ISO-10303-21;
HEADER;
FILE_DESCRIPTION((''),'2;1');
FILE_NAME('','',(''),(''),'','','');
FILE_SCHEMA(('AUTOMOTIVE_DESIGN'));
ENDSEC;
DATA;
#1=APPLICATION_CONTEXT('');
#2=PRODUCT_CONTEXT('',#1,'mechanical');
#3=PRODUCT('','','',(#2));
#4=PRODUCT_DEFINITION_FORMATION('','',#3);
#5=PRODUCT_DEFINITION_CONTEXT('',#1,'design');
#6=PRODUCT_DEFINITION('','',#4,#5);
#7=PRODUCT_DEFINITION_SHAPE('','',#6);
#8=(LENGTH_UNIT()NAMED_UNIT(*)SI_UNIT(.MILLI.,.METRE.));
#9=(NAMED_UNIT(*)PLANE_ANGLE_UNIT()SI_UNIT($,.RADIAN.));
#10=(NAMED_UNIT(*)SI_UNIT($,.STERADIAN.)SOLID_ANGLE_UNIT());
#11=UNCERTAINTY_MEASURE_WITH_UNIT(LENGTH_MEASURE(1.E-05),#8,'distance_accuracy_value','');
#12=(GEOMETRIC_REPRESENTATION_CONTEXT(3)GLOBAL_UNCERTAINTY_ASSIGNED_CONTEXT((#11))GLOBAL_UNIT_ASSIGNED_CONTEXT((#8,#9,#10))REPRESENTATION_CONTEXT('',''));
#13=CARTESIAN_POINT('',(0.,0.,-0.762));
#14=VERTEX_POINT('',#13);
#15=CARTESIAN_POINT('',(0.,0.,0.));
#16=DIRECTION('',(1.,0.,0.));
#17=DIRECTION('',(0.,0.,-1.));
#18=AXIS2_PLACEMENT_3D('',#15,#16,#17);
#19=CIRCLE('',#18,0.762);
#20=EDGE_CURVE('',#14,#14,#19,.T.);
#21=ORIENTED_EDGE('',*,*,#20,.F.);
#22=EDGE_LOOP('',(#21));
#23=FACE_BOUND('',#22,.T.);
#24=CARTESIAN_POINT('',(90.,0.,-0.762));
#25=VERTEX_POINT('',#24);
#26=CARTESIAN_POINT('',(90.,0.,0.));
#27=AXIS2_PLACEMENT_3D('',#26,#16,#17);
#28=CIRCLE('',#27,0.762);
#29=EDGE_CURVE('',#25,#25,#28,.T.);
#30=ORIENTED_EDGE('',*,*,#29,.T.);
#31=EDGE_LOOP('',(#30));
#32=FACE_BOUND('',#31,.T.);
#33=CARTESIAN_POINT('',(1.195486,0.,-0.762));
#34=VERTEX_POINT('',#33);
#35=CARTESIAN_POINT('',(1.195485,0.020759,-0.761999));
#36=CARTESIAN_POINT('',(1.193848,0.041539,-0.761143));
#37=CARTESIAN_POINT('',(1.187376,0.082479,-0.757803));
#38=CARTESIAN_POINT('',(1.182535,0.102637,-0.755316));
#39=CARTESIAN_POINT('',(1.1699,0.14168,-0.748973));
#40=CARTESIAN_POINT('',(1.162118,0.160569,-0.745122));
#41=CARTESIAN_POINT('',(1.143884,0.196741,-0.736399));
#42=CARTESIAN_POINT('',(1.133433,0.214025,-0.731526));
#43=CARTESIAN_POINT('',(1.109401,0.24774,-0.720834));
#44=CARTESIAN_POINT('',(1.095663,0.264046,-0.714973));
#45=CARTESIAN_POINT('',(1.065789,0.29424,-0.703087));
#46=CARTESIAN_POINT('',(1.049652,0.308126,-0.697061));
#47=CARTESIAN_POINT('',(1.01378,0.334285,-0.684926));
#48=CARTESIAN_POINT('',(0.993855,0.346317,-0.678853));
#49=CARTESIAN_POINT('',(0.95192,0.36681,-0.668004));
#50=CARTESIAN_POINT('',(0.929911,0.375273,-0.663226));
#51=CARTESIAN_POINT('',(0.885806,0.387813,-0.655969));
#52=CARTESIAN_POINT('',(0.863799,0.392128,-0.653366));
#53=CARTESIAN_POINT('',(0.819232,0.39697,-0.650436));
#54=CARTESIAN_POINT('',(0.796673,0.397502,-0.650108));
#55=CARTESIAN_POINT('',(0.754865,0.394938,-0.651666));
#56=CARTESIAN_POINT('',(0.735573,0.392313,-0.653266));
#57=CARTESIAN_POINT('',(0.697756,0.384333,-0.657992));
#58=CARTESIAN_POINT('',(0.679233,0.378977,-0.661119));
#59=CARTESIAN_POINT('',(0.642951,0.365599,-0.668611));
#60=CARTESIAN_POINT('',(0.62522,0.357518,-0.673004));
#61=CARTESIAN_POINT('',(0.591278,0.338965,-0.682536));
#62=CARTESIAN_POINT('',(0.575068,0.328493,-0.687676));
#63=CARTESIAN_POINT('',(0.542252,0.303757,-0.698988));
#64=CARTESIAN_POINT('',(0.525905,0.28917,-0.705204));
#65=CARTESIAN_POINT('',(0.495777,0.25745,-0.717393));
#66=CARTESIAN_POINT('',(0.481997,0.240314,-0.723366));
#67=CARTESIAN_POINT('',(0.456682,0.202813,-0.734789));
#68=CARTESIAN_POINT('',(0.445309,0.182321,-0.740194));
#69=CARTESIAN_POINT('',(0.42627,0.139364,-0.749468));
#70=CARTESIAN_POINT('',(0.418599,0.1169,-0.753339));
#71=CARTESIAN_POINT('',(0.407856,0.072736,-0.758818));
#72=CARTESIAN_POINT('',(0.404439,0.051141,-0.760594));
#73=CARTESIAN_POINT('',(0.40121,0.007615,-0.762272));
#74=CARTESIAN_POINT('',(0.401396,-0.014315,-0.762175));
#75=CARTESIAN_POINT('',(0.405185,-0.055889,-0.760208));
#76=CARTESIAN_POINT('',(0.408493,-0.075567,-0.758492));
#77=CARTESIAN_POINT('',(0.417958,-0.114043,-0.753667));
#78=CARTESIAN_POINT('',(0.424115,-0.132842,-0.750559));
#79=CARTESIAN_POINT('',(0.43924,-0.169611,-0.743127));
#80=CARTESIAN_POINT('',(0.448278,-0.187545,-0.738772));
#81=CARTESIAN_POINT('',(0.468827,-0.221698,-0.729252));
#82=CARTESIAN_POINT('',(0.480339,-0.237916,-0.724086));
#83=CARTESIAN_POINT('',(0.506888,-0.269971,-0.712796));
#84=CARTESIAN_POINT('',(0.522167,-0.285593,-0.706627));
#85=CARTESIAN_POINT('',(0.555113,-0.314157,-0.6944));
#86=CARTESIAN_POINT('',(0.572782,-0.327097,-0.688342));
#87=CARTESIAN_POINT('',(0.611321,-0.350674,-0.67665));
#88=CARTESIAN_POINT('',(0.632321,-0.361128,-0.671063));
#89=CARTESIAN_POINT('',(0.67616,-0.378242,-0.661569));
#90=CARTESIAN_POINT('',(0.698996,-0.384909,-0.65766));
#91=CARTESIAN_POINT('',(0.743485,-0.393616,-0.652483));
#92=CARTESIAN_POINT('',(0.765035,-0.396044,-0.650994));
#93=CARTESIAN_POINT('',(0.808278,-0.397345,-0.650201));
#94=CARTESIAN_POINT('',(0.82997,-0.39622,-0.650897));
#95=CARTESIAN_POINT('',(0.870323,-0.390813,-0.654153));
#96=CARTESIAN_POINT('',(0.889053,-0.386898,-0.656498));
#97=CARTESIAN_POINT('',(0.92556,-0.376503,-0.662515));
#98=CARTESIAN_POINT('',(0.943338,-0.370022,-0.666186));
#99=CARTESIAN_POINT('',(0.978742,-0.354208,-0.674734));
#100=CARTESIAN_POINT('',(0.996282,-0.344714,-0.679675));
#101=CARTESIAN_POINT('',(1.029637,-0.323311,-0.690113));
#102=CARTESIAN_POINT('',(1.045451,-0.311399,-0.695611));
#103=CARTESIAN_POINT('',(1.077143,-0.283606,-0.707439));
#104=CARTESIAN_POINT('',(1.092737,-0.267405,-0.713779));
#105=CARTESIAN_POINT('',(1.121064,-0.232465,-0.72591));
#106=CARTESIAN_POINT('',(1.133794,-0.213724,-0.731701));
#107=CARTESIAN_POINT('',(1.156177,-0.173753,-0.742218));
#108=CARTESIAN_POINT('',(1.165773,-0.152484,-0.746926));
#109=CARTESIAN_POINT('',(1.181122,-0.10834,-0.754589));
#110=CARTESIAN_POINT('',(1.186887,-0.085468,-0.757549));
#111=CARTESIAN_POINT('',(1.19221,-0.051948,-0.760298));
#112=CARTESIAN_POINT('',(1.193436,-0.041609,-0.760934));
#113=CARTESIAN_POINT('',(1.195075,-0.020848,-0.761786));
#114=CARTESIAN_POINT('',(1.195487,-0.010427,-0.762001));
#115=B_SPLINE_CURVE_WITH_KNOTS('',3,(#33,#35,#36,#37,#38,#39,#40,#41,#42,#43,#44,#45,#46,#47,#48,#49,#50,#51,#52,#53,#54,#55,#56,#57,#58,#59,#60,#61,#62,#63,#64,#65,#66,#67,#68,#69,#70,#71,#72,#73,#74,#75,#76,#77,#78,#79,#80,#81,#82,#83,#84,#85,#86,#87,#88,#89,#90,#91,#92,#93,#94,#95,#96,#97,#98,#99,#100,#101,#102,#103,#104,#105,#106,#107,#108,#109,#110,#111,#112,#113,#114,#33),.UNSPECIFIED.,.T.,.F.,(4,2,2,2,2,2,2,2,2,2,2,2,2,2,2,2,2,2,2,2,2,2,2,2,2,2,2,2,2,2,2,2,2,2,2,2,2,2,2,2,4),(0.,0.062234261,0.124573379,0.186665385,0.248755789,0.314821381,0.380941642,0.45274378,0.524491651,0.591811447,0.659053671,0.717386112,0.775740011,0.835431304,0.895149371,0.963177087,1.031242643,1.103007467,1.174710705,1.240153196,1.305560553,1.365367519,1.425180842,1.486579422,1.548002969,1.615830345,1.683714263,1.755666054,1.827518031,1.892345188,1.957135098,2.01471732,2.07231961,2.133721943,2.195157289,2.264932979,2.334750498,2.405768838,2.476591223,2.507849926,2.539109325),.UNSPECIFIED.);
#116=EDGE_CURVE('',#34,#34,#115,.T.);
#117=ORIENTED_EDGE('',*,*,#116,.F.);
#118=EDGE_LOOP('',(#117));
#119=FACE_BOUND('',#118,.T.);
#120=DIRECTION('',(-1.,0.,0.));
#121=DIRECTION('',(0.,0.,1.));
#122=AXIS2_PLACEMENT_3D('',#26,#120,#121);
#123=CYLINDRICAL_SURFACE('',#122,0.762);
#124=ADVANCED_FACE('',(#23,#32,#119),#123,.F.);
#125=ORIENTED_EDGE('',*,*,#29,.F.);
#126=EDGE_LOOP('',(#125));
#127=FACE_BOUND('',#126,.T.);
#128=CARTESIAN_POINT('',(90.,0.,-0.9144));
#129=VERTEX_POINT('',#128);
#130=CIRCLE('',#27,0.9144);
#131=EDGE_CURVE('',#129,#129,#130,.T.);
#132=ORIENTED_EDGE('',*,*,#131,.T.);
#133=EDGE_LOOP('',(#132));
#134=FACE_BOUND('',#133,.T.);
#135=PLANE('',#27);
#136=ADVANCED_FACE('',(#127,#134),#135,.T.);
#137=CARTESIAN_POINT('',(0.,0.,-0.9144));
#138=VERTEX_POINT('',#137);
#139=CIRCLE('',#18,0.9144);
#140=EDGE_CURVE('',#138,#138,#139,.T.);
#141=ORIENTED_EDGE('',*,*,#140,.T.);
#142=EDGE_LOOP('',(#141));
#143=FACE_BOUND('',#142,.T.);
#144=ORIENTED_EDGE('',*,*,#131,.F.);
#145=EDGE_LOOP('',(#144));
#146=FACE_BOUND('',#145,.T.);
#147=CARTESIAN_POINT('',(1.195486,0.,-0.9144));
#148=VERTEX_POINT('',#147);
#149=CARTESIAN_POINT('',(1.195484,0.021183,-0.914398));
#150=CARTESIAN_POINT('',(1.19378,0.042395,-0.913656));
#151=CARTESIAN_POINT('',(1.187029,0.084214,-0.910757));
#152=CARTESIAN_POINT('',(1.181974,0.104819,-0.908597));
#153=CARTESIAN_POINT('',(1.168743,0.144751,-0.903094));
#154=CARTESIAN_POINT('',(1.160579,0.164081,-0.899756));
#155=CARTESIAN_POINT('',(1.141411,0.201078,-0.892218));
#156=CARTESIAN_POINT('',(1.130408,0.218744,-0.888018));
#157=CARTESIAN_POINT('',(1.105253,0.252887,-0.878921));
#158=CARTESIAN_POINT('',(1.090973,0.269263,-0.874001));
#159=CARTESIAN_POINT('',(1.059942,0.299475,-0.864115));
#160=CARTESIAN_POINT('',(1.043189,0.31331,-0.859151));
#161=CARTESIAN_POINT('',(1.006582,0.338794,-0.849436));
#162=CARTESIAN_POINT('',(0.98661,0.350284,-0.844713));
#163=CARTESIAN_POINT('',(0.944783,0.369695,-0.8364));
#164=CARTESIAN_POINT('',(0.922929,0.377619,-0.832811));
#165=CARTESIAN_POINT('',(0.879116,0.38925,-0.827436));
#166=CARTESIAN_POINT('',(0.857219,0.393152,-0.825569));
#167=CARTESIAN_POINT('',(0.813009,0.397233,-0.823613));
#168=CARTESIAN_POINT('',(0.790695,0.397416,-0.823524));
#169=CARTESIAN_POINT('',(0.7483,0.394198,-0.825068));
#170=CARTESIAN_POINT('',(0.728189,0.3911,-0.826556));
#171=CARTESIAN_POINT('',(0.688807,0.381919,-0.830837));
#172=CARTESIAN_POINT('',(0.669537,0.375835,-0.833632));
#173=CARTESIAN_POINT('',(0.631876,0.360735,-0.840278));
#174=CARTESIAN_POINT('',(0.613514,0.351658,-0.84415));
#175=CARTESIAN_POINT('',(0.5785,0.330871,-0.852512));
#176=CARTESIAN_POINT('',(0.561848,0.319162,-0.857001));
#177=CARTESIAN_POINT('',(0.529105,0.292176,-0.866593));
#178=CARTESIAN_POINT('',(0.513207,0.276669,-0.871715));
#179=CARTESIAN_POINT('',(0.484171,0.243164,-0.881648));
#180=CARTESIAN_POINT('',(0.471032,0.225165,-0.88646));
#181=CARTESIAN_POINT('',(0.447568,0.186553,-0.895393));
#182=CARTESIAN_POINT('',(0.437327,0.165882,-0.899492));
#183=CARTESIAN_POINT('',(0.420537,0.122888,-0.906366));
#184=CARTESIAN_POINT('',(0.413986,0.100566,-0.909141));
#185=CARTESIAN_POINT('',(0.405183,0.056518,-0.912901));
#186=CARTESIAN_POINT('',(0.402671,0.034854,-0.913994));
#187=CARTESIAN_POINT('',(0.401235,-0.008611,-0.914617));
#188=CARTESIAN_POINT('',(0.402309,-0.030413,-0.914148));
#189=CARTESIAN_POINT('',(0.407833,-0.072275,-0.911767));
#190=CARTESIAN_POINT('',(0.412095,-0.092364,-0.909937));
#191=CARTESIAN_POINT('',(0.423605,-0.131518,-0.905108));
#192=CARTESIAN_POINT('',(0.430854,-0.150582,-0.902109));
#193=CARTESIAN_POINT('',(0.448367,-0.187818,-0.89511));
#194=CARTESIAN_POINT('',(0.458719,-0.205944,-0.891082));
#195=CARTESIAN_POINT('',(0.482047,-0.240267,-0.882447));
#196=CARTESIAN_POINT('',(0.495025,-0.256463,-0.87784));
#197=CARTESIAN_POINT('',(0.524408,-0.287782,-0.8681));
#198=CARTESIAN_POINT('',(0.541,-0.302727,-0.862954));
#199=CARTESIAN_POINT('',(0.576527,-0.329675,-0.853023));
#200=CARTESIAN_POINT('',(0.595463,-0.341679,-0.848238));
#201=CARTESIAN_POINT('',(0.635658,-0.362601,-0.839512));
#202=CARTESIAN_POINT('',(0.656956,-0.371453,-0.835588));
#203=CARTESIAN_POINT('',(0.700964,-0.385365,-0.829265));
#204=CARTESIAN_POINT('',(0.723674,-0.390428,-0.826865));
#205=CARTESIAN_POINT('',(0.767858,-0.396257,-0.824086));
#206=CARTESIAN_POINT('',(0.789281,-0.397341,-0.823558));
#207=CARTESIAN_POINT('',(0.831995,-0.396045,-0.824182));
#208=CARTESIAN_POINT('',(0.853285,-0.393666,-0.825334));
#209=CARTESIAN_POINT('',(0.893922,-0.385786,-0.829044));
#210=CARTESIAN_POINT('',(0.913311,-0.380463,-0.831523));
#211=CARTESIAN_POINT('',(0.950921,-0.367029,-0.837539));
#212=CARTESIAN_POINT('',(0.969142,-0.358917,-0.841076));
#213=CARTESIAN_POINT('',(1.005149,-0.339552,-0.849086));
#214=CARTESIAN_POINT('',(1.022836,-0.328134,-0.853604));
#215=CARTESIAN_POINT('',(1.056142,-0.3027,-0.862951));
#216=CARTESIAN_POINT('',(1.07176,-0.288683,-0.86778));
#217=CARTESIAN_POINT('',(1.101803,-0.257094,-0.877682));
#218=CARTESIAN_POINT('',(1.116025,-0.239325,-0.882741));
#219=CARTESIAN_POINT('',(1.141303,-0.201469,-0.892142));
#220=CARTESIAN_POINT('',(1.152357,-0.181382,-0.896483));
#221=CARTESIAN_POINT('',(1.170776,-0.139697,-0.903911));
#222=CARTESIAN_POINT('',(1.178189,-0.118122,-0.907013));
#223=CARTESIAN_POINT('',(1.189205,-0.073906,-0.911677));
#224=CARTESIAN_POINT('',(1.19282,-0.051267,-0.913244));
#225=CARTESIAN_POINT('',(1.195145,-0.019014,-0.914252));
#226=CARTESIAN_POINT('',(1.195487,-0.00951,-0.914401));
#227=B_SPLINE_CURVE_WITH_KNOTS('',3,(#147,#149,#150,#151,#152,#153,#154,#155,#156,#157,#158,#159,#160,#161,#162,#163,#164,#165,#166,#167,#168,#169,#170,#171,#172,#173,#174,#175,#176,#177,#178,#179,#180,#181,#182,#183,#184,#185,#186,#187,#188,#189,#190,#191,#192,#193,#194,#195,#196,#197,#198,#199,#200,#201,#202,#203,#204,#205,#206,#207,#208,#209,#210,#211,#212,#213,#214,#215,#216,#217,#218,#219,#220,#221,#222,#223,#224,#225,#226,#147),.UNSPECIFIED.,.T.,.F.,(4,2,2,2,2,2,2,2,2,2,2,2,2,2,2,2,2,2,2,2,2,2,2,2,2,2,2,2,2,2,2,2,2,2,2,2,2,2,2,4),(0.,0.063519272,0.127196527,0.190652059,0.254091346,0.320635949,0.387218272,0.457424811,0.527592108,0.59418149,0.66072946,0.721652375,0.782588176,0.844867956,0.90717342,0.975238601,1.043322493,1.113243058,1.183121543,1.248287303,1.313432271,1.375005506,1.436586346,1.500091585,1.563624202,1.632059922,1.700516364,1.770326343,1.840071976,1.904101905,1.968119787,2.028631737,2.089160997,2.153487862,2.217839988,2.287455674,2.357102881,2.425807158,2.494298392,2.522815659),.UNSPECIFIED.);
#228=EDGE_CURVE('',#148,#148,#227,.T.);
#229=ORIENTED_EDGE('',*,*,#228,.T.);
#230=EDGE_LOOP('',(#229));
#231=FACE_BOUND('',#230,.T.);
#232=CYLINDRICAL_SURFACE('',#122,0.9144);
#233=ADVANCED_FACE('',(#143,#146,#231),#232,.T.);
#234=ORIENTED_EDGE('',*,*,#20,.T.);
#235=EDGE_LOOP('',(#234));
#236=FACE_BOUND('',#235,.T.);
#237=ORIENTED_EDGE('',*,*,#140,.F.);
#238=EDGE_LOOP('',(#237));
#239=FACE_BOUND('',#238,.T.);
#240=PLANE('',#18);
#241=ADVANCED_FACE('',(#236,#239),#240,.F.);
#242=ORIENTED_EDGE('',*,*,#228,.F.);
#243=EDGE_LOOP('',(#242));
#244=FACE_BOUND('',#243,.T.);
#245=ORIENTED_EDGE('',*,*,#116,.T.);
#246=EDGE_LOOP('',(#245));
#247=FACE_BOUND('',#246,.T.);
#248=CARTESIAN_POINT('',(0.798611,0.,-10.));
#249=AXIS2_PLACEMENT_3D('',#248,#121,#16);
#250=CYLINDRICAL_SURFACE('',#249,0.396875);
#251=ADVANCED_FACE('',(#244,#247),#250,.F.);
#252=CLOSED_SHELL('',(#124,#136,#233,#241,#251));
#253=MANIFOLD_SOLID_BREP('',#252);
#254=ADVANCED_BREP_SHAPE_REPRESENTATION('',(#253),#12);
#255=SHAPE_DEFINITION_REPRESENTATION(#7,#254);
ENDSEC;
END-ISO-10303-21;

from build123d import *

# Parameters (mm, degrees)
SKETCH1_R           = 0.9144
SKETCH1_R_2         = 0.762
BOSS_EXTRUDE1_DEPTH = 90
SKETCH3_R           = 0.396875
CUT_EXTRUDE2_DEPTH  = 10


with BuildPart() as part:
    # Sketch1 → Boss-Extrude1 (new body)
    with BuildSketch(Plane(origin=(0, 0, 0), x_dir=(0, 0, -1), z_dir=(1, 0, 0))):
        Circle(SKETCH1_R)
        Circle(SKETCH1_R_2, mode=Mode.SUBTRACT)
    extrude(amount=BOSS_EXTRUDE1_DEPTH)

    # Sketch3 → Cut-Extrude2 (cut)
    with BuildSketch(Plane.XY):
        with Locations((0.798611036, 0)):
            Circle(SKETCH3_R)
    extrude(amount=-CUT_EXTRUDE2_DEPTH, mode=Mode.SUBTRACT)


solid = part.part
